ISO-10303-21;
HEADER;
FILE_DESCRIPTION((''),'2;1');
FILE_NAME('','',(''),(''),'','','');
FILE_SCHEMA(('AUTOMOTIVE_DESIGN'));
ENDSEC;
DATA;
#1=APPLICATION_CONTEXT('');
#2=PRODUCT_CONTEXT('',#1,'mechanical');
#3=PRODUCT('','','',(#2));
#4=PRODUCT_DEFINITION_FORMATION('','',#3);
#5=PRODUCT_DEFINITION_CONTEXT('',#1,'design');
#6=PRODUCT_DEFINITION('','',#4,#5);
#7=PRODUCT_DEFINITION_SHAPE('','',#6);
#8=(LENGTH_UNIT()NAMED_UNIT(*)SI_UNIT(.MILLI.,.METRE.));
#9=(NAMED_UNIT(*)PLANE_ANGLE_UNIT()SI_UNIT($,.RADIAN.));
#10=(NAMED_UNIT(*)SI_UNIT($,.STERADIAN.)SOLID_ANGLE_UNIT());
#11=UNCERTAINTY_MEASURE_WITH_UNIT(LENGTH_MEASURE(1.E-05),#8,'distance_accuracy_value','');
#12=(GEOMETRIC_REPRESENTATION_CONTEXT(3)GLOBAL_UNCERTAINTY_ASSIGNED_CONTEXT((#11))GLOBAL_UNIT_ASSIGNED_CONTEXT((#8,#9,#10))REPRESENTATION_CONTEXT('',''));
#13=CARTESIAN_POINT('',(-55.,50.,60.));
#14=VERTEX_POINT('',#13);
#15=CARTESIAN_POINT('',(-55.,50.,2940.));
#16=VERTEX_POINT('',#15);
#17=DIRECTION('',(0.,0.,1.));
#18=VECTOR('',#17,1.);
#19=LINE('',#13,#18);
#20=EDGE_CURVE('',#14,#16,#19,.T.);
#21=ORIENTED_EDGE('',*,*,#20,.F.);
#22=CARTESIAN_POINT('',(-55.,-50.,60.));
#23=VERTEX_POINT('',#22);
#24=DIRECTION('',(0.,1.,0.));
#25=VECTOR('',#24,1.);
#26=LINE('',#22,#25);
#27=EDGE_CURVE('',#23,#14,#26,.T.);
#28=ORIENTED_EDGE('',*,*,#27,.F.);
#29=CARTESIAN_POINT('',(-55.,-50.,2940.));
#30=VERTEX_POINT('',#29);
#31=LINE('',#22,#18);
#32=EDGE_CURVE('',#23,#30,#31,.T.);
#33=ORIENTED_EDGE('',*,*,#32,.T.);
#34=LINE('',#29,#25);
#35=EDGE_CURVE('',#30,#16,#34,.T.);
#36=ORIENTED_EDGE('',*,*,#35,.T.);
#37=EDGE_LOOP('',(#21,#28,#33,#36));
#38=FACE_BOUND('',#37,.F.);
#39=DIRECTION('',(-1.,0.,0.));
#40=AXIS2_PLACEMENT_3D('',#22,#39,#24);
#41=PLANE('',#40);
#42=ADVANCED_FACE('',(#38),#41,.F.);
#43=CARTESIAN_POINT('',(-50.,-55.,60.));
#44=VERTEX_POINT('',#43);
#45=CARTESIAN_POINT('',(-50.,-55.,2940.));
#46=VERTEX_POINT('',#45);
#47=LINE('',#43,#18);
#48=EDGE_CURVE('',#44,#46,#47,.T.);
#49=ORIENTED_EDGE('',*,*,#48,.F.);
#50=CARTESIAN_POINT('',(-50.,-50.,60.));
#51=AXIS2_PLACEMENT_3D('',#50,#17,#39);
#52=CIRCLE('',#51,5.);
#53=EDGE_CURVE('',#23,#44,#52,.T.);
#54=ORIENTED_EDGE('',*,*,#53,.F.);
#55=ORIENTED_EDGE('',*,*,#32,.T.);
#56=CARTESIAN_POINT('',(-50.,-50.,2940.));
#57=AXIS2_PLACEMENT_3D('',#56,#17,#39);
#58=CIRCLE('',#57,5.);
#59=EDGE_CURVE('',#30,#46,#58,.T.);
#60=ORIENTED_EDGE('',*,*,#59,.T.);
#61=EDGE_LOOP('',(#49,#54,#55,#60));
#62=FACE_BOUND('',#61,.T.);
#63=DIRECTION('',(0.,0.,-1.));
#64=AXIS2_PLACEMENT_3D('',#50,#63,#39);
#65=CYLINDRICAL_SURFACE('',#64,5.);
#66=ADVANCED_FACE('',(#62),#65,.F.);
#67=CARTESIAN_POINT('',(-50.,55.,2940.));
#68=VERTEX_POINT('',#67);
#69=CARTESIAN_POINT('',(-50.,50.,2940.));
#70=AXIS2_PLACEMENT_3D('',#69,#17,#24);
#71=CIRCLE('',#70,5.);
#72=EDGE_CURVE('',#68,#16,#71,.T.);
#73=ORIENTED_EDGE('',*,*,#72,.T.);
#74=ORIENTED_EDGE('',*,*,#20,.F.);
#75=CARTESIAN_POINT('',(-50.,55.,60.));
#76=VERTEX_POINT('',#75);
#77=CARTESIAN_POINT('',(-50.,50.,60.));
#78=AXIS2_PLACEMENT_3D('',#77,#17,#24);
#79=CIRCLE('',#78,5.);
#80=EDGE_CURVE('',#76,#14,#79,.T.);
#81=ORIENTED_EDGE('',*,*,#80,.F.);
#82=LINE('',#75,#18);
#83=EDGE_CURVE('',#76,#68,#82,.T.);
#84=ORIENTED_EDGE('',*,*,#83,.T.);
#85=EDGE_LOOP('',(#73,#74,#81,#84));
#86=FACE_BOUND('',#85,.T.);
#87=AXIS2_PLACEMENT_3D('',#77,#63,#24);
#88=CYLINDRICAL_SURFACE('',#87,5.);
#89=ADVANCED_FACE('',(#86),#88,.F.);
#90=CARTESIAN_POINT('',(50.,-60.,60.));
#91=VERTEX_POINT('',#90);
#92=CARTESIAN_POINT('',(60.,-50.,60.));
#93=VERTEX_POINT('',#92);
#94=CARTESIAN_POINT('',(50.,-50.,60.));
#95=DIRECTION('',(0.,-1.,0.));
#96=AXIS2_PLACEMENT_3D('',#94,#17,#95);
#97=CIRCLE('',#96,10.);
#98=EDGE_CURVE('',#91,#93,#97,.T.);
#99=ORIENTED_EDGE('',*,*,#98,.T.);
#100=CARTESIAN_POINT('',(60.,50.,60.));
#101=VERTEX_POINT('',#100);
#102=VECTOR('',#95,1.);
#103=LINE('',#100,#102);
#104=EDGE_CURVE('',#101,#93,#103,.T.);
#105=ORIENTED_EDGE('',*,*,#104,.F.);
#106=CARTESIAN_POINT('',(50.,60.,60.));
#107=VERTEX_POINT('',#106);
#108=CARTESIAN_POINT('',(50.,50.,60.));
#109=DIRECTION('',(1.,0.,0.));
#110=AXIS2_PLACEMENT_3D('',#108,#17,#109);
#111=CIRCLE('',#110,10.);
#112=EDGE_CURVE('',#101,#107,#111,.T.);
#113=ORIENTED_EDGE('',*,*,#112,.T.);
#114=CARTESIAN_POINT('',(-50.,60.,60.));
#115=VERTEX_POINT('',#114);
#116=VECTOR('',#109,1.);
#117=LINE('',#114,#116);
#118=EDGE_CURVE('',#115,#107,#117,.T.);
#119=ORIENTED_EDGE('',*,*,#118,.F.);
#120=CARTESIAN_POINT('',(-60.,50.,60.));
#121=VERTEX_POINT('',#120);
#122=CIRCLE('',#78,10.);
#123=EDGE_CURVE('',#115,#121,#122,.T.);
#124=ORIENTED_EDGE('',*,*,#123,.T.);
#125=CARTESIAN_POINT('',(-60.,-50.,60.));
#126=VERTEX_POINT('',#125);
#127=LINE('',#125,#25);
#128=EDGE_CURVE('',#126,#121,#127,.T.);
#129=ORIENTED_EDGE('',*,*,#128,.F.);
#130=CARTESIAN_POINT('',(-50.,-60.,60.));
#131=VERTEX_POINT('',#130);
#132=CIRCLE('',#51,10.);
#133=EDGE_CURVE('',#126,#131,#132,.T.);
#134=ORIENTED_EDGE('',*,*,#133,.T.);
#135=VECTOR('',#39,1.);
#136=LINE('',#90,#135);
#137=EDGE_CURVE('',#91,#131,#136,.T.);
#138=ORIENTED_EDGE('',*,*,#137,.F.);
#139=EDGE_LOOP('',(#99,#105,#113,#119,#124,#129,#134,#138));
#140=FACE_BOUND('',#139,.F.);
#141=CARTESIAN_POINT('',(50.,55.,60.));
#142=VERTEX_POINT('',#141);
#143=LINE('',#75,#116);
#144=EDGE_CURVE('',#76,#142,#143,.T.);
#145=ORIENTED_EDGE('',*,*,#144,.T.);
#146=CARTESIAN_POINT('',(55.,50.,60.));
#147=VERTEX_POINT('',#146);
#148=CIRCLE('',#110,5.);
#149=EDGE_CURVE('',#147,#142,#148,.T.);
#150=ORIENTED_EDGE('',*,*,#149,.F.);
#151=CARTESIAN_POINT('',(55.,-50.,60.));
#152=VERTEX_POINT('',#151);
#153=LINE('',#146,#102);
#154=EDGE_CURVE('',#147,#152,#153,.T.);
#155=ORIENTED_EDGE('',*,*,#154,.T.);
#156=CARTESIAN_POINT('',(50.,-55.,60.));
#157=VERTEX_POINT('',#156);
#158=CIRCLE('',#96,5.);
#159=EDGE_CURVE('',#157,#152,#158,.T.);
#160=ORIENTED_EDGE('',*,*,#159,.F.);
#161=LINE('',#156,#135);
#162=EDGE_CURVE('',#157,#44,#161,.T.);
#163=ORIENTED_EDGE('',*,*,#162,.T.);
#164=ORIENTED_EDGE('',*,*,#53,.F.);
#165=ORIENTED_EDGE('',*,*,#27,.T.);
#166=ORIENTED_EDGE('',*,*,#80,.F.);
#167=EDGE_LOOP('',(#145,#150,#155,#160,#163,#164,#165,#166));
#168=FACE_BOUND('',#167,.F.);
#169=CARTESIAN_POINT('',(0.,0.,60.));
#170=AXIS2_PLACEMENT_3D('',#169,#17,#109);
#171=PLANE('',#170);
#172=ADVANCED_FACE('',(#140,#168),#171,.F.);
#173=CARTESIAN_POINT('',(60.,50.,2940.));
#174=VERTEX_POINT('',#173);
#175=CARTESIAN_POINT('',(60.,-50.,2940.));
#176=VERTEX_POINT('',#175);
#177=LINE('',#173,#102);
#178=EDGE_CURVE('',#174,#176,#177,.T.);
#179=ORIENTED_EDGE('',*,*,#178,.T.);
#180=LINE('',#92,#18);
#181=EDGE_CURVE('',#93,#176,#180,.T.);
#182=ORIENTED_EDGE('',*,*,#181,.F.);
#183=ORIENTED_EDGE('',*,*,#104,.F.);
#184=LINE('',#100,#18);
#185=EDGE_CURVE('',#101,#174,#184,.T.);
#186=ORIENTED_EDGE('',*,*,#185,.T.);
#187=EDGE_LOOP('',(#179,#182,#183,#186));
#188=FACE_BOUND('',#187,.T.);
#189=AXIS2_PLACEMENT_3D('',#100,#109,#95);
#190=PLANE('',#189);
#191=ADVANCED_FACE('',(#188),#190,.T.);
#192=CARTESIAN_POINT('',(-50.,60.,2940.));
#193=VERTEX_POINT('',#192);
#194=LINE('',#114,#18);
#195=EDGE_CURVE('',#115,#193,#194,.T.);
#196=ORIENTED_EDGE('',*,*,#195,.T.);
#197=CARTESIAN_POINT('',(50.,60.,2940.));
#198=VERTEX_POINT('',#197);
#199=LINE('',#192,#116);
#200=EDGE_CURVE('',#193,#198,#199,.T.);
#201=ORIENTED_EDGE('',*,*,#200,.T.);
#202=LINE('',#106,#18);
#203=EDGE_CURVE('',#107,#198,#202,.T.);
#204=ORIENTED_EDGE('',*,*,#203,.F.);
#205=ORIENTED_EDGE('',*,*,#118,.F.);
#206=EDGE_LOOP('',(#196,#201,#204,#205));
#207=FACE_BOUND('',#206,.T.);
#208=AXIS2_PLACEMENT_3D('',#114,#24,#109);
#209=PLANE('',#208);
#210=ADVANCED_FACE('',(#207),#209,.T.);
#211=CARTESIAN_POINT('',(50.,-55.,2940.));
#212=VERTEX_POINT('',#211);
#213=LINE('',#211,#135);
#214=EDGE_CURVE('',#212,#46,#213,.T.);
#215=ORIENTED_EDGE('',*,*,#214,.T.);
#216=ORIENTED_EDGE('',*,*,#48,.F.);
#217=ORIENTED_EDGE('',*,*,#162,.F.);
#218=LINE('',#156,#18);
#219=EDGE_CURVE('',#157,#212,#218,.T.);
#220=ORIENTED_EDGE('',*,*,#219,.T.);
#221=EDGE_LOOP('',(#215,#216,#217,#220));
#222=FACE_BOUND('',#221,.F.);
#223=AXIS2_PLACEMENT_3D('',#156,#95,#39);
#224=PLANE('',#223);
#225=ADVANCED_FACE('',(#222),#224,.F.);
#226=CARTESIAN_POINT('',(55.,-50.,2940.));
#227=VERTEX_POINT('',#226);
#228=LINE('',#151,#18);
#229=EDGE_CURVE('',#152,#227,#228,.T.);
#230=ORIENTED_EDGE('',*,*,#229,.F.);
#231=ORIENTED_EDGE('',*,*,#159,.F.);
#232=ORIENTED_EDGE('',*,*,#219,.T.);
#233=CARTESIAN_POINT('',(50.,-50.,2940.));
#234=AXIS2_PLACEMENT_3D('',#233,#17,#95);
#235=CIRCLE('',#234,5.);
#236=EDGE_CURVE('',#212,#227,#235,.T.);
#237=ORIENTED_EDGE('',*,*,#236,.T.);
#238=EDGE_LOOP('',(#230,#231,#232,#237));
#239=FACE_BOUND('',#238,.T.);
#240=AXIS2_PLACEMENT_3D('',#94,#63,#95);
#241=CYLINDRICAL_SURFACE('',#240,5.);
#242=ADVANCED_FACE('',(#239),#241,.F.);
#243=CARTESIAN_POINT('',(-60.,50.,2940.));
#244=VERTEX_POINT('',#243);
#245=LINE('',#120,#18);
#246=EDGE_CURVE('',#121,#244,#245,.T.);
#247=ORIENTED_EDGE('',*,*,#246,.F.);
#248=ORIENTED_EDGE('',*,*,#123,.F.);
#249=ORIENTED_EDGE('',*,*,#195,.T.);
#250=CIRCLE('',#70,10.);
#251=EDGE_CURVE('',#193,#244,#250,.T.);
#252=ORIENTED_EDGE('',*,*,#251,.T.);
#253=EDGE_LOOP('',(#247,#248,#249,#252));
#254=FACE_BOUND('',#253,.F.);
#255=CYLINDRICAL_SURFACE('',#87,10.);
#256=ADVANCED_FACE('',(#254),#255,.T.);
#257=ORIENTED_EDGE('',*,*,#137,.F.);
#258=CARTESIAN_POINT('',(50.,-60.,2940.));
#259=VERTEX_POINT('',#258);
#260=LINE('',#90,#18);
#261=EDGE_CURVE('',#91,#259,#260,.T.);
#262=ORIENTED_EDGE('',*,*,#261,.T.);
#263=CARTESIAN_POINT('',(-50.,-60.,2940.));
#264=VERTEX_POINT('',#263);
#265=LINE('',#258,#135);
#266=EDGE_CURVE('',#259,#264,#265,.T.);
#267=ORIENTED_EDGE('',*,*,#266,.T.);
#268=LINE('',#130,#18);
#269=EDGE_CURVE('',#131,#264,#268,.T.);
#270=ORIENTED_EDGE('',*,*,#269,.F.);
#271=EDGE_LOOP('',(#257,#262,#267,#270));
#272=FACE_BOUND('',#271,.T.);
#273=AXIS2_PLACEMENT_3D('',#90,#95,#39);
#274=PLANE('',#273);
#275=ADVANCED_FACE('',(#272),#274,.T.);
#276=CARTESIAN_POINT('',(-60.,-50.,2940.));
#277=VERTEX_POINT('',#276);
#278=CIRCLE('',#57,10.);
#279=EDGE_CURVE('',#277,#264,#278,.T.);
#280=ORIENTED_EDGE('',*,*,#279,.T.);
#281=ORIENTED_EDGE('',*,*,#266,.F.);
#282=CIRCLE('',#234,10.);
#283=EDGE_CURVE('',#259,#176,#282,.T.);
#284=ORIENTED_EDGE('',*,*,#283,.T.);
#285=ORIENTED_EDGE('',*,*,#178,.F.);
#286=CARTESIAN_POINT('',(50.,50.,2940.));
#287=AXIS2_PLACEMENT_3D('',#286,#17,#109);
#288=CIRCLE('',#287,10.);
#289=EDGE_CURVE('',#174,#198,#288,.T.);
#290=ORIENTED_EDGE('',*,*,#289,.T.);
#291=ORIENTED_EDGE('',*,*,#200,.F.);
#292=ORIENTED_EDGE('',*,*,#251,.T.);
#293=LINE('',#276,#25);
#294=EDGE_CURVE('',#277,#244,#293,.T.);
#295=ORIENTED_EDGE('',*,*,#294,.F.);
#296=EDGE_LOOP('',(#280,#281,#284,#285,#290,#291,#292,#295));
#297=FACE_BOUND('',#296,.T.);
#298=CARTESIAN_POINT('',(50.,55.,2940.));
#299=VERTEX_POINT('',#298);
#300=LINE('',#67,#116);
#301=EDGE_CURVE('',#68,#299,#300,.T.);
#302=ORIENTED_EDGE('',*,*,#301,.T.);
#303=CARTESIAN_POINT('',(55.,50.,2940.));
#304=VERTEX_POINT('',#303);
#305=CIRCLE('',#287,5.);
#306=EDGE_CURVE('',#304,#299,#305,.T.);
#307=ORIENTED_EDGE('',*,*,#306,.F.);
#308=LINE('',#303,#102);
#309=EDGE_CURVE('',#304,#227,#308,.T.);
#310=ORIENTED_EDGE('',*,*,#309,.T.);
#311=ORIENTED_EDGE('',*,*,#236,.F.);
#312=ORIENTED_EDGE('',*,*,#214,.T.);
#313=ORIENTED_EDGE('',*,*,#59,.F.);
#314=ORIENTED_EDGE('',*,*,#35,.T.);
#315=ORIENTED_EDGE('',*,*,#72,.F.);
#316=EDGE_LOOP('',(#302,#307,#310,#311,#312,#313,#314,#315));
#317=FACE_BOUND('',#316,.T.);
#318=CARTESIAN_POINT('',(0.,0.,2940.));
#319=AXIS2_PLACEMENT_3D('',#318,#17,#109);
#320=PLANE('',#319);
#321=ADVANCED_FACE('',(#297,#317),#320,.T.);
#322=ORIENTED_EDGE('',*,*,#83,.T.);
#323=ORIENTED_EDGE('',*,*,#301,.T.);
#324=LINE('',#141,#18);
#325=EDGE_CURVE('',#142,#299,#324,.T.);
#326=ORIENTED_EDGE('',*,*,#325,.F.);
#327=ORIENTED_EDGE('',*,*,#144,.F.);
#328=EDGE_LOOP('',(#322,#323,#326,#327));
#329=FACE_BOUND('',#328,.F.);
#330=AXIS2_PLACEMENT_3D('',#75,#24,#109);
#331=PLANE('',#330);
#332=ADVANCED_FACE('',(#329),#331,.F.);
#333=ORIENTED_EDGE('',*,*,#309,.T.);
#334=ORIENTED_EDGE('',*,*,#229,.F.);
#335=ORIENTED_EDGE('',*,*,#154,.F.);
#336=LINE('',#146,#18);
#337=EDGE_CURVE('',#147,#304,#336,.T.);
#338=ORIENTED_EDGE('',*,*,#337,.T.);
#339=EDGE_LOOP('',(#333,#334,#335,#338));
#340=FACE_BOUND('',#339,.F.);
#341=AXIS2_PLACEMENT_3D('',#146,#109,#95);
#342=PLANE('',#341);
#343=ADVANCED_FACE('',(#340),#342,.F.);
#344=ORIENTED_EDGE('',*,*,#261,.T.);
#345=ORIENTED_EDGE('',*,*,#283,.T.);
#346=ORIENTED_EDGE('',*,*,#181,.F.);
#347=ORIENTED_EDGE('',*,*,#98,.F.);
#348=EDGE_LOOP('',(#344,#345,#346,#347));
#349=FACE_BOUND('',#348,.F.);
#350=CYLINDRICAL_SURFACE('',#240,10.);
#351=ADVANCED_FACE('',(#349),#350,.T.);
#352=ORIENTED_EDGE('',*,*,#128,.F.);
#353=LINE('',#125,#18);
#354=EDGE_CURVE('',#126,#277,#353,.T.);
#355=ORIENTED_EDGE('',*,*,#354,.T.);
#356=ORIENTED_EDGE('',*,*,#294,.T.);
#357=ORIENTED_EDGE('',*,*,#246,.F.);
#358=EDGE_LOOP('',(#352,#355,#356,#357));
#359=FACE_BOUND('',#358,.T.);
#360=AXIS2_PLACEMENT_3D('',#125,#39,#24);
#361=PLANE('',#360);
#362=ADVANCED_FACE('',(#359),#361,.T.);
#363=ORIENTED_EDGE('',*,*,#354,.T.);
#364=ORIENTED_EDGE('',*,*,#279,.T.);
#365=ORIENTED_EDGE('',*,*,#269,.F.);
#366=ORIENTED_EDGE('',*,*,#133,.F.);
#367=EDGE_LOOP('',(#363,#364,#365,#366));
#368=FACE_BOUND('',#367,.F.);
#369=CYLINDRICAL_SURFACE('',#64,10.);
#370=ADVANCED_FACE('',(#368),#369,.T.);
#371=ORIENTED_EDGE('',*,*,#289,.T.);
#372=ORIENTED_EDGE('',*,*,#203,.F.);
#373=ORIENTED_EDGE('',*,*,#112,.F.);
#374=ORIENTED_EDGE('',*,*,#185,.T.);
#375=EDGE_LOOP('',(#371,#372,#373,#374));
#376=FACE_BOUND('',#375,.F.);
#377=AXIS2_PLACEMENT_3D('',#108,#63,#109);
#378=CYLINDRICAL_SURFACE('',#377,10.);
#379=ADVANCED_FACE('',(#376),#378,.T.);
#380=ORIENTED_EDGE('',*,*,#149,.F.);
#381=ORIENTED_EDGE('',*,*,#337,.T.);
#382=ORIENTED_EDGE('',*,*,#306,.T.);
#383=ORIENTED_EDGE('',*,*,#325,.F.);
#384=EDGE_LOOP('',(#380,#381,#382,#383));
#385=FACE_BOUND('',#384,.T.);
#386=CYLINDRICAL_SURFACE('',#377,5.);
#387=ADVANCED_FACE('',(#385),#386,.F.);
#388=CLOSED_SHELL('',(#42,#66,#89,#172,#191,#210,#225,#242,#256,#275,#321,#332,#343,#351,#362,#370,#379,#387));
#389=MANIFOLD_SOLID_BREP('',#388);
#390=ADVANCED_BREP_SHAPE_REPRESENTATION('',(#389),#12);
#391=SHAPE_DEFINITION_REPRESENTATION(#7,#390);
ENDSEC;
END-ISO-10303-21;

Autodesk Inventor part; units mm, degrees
ref_plane "Start Plane" through (0, 0, 60) normal (0, 0, 1) x (1, 0, 0)
ref_plane "End Plane" through (0, 0, 2940) normal (0, 0, 1) x (1, 0, 0)
sketch "Sketch" plane through (0, 0, 0) normal (0, 0, 1) x (1, 0, 0)
  line L0 (-60, -50) -> (-60, 50)
  line L1 (-50, 60) -> (50, 60)
  line L2 (60, 50) -> (60, -50)
  line L3 (50, -60) -> (-50, -60)
  arc A0 (-60, -50) -> (-50, -60) centre (-50, -50) ccw
  arc A1 (60, 50) -> (50, 60) centre (50, 50) ccw
  arc A2 (-50, 60) -> (-60, 50) centre (-50, 50) ccw
  arc A3 (50, -60) -> (60, -50) centre (50, -50) ccw
  arc A4 (-50, 55) -> (-55, 50) centre (-50, 50) ccw
  line L4 (-50, 55) -> (50, 55)
  arc A5 (55, 50) -> (50, 55) centre (50, 50) ccw
  line L5 (55, 50) -> (55, -50)
  arc A6 (50, -55) -> (55, -50) centre (50, -50) ccw
  line L6 (50, -55) -> (-50, -55)
  arc A7 (-55, -50) -> (-50, -55) centre (-50, -50) ccw
  line L7 (-55, -50) -> (-55, 50)
  line L8 (0, 86.8995) -> (0, -86.8995) construction
  line L9 (-86.8995, 0) -> (86.8995, 0) construction
  dimension "d7" = 10
  dimension "d9" = 120
  dimension "d11" = 120
  dimension "d12" = 5
  dimension "d15" = 60
  dimension "d16" = 60
extrude "Body" add sketch "Sketch" along normal up to surface (2880 mm away) from surface at 60
sketch "Sketch3" plane through (0, 0, 0) normal (0, 0, 1) x (1, 0, 0)
  line L0 (0, 0) -> (10, 0)
ref_plane "Work Plane3" through (0, 0, 0) normal (0, -1, 0) x (1, 0, 0)
ref_plane "Work Plane4" through (-1000, -50, 60) normal (0, 0, -1) x (-1, 0, 0)
split "Split1" plane through (-1000, -50, 60) removes the side toward (0, 0, -1)
ref_plane "Work Plane5" through (-1000, 50, 2940) normal (0, 0, 1) x (1, 0, 0)
split "Split2" plane through (-1000, 50, 2940) removes the side toward (0, 0, 1)
sketch "Sketch4" plane through (0, 0, 0) normal (0, -1, 0) x (1, 0, 0)
  line L0 (-2, 60) -> (12, 60) projected
  line L1 (-2, 2940) -> (12, 2940) projected
  dimension "d18" = 2880
equation "\"d7\" = G_IR"
equation "\"d9\" = G_W"
equation "\"d11\" = G_H"
equation "\"d12\" = G_T"
equation "\"d15\" = 0.5 * d9"
equation "\"d16\" = 0.5 * d11"
equation "\"d3\" = G_L"
equation "\"G_W\" = 120"
equation "\"G_H\" = 120"
equation "\"G_T\" = 5"
equation "\"G_IR\" = 10"
equation "\"G_L\" = d18"
properties part number "ISO 10799-2 - 120x120x5 - 2880" material "Steel, Mild"
